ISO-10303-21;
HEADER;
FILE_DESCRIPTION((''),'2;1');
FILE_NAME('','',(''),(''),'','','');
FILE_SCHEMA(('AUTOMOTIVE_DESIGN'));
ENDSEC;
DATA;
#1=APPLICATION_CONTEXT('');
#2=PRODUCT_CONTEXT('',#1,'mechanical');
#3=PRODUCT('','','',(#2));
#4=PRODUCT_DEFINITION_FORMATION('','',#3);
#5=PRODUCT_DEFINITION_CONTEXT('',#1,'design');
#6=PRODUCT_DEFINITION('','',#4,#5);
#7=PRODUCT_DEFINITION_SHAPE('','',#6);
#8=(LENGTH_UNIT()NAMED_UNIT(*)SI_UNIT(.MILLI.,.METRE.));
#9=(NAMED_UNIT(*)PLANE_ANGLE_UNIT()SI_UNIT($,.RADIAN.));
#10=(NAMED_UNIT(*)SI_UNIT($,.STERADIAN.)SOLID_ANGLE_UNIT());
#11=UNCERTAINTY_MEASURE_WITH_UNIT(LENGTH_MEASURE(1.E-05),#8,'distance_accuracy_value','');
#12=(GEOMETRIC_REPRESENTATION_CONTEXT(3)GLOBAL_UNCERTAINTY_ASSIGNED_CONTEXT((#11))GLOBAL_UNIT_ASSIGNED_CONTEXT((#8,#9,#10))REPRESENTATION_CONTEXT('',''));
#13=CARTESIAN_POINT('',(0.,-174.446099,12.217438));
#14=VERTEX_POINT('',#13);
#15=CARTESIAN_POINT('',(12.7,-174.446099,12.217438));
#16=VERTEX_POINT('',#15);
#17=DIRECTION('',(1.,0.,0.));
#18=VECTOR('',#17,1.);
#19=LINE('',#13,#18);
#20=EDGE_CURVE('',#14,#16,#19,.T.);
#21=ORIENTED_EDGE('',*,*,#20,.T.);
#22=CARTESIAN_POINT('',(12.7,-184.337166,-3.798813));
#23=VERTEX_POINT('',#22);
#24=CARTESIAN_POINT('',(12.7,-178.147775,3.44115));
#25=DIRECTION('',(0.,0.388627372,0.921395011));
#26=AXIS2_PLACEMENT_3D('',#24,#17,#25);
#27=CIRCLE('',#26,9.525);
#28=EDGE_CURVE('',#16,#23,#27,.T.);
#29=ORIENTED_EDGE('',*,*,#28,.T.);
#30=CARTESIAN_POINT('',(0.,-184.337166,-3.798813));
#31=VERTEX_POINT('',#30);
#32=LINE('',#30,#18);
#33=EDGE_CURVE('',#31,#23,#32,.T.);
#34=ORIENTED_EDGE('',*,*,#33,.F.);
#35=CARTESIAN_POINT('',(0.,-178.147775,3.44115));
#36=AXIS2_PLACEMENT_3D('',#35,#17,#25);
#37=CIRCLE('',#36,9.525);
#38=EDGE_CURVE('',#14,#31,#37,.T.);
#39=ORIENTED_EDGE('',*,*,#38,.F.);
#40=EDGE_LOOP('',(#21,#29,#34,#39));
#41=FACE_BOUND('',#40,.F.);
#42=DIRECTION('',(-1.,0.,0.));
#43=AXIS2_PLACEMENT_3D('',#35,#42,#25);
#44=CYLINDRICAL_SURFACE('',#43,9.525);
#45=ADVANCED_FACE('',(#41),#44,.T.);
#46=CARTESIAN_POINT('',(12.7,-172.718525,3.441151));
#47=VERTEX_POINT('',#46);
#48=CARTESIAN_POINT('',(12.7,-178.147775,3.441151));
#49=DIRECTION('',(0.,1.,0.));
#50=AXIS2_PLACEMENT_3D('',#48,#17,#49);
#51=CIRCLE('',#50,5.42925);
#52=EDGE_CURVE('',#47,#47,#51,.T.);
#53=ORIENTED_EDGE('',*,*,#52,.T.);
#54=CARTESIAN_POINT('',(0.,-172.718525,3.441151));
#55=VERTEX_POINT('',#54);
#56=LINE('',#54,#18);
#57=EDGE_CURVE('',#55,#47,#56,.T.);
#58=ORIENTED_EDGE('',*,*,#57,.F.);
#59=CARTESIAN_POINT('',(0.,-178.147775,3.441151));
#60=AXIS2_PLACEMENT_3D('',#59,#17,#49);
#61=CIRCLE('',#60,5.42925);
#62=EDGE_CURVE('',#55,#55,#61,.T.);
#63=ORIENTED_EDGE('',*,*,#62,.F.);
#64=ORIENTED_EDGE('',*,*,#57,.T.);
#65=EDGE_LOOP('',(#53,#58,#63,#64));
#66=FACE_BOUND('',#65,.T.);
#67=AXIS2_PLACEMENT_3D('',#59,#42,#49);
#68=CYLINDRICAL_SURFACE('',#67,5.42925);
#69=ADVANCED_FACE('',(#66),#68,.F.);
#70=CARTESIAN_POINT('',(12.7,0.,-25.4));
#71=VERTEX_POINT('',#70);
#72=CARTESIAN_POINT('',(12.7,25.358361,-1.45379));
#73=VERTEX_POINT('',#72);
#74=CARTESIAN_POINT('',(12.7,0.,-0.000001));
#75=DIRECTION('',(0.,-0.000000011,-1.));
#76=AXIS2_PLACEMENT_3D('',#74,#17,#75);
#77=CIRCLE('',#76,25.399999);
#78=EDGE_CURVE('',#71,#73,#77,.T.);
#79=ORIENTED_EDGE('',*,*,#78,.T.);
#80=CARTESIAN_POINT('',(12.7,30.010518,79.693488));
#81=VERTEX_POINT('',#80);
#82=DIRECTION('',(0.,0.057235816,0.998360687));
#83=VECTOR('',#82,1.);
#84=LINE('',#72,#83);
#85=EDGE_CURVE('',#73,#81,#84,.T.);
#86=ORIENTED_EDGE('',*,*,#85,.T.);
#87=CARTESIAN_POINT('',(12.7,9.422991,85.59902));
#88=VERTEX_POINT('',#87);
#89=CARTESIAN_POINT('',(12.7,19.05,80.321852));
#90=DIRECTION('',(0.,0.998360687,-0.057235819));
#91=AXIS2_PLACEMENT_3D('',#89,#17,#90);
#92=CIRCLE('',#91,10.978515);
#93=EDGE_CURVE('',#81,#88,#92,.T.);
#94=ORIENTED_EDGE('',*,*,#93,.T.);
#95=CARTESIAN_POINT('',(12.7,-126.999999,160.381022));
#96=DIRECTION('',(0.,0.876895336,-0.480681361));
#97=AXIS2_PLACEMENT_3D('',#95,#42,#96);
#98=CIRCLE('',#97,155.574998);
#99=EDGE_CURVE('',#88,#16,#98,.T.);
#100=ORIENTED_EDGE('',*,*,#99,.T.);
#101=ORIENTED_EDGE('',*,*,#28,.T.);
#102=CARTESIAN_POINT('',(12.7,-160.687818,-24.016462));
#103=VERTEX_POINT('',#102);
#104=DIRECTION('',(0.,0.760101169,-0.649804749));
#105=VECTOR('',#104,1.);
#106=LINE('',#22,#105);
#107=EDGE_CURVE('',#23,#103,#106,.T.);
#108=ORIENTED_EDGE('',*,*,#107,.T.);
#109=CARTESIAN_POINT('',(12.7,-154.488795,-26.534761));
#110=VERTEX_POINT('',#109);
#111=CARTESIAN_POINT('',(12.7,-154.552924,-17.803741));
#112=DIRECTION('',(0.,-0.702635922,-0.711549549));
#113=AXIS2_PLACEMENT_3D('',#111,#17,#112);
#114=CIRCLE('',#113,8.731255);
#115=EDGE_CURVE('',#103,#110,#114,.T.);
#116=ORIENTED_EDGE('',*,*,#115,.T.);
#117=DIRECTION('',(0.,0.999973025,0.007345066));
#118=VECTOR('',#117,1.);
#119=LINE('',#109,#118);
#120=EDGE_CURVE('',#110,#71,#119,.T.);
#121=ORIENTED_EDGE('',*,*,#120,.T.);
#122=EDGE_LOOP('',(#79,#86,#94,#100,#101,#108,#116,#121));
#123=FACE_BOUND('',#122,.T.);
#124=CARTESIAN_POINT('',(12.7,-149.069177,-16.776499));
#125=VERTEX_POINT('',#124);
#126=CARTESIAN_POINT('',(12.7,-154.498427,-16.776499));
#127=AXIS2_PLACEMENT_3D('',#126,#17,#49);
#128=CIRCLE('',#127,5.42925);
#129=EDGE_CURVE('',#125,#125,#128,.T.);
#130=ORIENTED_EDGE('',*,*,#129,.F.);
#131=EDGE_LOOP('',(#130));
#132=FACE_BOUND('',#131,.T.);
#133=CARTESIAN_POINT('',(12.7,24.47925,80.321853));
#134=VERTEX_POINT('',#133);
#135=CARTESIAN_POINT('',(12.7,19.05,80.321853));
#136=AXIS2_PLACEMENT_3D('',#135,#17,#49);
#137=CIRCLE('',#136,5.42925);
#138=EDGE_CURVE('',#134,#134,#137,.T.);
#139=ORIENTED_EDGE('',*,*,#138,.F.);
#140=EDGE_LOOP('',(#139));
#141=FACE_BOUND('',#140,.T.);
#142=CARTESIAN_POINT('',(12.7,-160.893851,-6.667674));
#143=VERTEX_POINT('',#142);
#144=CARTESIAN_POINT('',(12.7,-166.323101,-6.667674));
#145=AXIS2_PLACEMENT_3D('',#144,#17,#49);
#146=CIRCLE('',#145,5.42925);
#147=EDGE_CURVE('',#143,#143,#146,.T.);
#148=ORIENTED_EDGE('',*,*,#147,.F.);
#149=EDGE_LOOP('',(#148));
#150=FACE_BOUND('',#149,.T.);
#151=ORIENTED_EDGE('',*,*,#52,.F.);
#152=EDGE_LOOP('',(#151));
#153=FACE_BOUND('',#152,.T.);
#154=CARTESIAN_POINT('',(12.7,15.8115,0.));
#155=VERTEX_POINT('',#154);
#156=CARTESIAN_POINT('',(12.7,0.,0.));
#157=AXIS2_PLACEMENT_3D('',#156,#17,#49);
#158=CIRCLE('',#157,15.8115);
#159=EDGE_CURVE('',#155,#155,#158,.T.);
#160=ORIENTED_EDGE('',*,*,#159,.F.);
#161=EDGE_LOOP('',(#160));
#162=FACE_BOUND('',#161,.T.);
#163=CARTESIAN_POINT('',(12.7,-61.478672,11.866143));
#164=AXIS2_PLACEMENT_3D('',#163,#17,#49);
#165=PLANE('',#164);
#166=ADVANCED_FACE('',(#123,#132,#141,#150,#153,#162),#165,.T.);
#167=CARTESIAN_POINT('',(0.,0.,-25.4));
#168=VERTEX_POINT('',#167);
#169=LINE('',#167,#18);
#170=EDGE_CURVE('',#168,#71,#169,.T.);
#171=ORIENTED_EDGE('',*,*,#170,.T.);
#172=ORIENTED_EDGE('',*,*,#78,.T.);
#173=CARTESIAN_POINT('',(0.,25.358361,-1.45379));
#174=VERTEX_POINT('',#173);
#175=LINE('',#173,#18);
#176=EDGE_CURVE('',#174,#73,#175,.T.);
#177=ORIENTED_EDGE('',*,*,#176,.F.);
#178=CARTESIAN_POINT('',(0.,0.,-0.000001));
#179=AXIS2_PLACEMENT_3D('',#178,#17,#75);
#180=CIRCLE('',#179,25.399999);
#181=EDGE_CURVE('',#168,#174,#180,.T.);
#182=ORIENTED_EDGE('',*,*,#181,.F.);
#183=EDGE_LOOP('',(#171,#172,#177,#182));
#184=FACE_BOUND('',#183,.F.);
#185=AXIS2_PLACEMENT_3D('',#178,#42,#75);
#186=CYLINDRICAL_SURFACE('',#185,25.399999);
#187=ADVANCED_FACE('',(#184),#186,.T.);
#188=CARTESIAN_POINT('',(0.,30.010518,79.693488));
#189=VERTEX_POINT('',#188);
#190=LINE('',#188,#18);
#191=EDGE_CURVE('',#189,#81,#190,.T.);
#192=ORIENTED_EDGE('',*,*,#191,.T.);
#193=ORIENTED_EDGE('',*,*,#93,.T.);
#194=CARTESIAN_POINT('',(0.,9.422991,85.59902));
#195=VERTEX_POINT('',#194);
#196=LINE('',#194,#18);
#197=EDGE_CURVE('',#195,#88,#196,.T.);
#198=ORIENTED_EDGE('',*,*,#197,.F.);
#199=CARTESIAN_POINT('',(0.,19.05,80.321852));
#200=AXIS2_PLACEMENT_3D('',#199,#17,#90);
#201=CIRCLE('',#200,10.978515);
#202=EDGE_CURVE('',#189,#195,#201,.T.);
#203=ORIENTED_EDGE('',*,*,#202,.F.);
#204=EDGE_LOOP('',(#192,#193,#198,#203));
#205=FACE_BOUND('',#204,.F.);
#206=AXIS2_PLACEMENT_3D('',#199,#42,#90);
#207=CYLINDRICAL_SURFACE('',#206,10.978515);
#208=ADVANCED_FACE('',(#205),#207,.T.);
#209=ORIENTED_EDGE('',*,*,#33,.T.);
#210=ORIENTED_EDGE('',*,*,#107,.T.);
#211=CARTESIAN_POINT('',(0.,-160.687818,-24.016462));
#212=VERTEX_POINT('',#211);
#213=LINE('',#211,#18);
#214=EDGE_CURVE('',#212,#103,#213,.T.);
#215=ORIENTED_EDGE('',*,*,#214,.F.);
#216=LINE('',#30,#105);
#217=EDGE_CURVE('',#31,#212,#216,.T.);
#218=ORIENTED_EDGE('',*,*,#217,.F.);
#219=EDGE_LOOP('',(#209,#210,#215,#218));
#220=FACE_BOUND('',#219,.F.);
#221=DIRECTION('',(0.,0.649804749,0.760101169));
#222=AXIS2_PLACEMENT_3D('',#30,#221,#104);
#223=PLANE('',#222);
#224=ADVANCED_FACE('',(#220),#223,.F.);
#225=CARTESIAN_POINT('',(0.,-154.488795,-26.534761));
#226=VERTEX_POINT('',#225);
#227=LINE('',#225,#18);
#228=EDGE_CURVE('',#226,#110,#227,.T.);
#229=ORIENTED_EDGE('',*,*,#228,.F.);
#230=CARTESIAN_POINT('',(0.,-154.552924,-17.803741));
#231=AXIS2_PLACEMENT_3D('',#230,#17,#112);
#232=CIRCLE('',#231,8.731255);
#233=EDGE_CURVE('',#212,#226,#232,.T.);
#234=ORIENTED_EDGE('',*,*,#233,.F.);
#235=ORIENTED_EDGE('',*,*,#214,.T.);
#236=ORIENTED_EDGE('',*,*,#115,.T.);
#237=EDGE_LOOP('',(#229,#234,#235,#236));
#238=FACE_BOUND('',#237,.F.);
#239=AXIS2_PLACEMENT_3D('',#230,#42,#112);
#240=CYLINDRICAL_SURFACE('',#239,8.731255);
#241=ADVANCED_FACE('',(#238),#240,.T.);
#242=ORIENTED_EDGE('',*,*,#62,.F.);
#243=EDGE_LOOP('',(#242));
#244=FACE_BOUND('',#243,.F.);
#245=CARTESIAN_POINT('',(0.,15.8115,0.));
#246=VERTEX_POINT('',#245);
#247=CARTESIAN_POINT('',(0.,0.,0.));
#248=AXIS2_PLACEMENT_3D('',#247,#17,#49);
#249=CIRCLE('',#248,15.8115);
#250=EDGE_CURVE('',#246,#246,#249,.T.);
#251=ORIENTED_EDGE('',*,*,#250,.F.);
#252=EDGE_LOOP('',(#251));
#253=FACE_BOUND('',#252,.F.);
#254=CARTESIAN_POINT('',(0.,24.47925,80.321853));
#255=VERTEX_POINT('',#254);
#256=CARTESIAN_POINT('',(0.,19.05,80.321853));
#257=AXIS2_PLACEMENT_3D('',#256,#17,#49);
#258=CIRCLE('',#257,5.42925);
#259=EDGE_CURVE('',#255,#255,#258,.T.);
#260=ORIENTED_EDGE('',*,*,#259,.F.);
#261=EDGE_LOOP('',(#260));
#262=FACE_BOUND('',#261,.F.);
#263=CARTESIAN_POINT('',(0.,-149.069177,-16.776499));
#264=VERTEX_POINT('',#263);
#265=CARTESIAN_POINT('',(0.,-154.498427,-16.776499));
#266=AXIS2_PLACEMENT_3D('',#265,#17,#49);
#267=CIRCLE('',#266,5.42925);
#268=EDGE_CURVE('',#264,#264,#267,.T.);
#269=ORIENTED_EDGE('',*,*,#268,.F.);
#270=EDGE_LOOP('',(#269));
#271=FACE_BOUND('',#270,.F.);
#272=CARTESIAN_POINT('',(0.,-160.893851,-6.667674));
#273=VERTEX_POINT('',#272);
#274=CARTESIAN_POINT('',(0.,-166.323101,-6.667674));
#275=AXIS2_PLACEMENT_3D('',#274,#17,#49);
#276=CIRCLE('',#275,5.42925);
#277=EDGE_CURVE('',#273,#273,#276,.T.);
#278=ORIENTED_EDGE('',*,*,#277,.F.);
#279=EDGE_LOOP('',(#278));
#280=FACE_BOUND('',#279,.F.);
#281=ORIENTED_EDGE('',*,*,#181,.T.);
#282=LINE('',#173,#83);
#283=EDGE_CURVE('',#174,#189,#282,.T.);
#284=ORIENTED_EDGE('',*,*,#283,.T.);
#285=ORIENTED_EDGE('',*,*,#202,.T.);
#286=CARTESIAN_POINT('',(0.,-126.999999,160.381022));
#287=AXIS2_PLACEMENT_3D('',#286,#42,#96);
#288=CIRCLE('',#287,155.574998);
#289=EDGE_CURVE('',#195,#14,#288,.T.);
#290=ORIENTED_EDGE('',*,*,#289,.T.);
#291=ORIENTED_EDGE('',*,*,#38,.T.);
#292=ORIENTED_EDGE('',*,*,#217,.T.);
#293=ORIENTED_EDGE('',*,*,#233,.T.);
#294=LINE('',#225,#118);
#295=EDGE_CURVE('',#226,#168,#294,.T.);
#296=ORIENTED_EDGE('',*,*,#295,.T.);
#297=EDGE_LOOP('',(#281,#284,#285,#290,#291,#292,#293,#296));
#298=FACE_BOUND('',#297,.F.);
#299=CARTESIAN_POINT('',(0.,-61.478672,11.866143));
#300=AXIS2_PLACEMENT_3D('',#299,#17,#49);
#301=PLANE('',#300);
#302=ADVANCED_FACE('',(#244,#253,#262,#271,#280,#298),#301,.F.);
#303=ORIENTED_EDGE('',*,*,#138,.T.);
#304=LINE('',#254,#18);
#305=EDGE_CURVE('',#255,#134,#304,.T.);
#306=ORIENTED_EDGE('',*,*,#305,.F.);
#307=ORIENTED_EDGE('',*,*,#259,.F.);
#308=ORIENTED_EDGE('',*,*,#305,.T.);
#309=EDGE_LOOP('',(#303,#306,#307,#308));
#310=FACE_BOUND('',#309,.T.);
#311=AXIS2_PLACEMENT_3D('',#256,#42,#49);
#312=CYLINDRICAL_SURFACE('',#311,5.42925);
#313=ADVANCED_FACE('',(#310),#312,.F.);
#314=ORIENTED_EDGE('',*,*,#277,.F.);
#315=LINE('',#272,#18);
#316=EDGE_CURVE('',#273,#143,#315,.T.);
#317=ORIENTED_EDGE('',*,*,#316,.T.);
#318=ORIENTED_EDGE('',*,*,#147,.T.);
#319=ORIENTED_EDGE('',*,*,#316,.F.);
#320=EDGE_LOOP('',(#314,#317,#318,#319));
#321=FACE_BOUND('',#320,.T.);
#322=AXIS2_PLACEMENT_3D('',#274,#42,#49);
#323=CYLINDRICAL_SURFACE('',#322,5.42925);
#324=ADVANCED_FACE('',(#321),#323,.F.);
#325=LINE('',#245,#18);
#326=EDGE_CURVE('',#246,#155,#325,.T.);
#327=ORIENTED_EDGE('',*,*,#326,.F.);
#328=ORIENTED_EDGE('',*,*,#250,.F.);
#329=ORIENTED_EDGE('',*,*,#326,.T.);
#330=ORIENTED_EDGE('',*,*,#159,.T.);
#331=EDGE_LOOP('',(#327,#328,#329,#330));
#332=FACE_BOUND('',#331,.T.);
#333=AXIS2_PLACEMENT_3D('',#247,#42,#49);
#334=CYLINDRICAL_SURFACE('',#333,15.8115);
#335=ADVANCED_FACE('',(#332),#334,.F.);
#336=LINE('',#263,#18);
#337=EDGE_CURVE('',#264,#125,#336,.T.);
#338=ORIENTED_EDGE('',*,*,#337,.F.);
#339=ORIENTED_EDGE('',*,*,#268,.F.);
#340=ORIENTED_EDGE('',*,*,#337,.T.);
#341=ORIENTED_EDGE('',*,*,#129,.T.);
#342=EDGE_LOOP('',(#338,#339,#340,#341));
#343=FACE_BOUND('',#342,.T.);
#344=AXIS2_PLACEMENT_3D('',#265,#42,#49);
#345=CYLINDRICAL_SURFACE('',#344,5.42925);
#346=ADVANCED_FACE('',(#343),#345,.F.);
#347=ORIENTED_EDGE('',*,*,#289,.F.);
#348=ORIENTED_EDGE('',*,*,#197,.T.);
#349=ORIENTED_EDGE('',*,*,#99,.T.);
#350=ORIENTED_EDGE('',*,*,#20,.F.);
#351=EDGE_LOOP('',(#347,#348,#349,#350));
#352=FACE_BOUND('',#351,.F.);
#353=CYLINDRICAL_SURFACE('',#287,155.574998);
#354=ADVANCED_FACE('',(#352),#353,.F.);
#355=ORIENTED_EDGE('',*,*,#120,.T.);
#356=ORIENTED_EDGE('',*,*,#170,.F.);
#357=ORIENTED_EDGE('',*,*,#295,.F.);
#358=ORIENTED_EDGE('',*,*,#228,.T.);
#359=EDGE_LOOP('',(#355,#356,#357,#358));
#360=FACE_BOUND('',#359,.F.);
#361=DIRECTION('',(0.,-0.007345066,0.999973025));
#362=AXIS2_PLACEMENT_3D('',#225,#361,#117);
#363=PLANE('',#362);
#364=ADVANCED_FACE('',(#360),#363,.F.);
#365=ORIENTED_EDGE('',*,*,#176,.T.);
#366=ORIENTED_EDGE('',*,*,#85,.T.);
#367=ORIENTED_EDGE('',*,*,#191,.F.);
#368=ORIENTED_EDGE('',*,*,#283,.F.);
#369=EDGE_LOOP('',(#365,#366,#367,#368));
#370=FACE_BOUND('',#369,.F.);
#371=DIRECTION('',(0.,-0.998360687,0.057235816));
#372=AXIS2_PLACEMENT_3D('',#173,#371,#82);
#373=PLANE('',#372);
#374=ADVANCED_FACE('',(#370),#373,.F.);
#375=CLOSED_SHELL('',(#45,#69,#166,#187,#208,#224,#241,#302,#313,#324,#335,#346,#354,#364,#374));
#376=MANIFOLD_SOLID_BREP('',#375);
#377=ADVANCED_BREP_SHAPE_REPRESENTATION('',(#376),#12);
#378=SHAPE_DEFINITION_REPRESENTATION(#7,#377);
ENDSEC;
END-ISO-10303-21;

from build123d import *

# Parameters (mm, degrees)
F0_R     = 5.42925
F0_R_2   = 15.8115
F1_DEPTH = 12.7


with BuildPart() as f1:
    # F0 (on Right) → F1 (new body)
    with BuildSketch(Plane.YZ):
        with BuildLine():
            Line((-154.488795, -26.534761), (0, -25.4))
            ThreePointArc((0, -25.4), (17.438947, -18.467353), (25.358361, -1.45379))
            Line((25.358361, -1.45379), (30.010518, 79.693488))
            ThreePointArc((30.010518, 79.693488), (22.077109, 90.874786), (9.422991, 85.59902))
            ThreePointArc((9.422991, 85.59902), (-69.333406, 15.888309), (-174.446099, 12.217438))
            ThreePointArc((-174.446099, 12.217438), (-186.251925, 8.445986), (-184.337166, -3.798813))
            Line((-184.337166, -3.798813), (-160.687818, -24.016462))
            ThreePointArc((-160.687818, -24.016462), (-157.839108, -25.892982), (-154.488795, -26.534761))
        make_face()
        with Locations((-154.498427, -16.776499)):
            Circle(F0_R, mode=Mode.SUBTRACT)
        with Locations((-166.323101, -6.667674)):
            Circle(F0_R, mode=Mode.SUBTRACT)
        with Locations((-178.147775, 3.441151)):
            Circle(F0_R, mode=Mode.SUBTRACT)
        Circle(F0_R_2, mode=Mode.SUBTRACT)
        with Locations((19.05, 80.321853)):
            Circle(F0_R, mode=Mode.SUBTRACT)
    extrude(amount=F1_DEPTH)


solid = f1.part
